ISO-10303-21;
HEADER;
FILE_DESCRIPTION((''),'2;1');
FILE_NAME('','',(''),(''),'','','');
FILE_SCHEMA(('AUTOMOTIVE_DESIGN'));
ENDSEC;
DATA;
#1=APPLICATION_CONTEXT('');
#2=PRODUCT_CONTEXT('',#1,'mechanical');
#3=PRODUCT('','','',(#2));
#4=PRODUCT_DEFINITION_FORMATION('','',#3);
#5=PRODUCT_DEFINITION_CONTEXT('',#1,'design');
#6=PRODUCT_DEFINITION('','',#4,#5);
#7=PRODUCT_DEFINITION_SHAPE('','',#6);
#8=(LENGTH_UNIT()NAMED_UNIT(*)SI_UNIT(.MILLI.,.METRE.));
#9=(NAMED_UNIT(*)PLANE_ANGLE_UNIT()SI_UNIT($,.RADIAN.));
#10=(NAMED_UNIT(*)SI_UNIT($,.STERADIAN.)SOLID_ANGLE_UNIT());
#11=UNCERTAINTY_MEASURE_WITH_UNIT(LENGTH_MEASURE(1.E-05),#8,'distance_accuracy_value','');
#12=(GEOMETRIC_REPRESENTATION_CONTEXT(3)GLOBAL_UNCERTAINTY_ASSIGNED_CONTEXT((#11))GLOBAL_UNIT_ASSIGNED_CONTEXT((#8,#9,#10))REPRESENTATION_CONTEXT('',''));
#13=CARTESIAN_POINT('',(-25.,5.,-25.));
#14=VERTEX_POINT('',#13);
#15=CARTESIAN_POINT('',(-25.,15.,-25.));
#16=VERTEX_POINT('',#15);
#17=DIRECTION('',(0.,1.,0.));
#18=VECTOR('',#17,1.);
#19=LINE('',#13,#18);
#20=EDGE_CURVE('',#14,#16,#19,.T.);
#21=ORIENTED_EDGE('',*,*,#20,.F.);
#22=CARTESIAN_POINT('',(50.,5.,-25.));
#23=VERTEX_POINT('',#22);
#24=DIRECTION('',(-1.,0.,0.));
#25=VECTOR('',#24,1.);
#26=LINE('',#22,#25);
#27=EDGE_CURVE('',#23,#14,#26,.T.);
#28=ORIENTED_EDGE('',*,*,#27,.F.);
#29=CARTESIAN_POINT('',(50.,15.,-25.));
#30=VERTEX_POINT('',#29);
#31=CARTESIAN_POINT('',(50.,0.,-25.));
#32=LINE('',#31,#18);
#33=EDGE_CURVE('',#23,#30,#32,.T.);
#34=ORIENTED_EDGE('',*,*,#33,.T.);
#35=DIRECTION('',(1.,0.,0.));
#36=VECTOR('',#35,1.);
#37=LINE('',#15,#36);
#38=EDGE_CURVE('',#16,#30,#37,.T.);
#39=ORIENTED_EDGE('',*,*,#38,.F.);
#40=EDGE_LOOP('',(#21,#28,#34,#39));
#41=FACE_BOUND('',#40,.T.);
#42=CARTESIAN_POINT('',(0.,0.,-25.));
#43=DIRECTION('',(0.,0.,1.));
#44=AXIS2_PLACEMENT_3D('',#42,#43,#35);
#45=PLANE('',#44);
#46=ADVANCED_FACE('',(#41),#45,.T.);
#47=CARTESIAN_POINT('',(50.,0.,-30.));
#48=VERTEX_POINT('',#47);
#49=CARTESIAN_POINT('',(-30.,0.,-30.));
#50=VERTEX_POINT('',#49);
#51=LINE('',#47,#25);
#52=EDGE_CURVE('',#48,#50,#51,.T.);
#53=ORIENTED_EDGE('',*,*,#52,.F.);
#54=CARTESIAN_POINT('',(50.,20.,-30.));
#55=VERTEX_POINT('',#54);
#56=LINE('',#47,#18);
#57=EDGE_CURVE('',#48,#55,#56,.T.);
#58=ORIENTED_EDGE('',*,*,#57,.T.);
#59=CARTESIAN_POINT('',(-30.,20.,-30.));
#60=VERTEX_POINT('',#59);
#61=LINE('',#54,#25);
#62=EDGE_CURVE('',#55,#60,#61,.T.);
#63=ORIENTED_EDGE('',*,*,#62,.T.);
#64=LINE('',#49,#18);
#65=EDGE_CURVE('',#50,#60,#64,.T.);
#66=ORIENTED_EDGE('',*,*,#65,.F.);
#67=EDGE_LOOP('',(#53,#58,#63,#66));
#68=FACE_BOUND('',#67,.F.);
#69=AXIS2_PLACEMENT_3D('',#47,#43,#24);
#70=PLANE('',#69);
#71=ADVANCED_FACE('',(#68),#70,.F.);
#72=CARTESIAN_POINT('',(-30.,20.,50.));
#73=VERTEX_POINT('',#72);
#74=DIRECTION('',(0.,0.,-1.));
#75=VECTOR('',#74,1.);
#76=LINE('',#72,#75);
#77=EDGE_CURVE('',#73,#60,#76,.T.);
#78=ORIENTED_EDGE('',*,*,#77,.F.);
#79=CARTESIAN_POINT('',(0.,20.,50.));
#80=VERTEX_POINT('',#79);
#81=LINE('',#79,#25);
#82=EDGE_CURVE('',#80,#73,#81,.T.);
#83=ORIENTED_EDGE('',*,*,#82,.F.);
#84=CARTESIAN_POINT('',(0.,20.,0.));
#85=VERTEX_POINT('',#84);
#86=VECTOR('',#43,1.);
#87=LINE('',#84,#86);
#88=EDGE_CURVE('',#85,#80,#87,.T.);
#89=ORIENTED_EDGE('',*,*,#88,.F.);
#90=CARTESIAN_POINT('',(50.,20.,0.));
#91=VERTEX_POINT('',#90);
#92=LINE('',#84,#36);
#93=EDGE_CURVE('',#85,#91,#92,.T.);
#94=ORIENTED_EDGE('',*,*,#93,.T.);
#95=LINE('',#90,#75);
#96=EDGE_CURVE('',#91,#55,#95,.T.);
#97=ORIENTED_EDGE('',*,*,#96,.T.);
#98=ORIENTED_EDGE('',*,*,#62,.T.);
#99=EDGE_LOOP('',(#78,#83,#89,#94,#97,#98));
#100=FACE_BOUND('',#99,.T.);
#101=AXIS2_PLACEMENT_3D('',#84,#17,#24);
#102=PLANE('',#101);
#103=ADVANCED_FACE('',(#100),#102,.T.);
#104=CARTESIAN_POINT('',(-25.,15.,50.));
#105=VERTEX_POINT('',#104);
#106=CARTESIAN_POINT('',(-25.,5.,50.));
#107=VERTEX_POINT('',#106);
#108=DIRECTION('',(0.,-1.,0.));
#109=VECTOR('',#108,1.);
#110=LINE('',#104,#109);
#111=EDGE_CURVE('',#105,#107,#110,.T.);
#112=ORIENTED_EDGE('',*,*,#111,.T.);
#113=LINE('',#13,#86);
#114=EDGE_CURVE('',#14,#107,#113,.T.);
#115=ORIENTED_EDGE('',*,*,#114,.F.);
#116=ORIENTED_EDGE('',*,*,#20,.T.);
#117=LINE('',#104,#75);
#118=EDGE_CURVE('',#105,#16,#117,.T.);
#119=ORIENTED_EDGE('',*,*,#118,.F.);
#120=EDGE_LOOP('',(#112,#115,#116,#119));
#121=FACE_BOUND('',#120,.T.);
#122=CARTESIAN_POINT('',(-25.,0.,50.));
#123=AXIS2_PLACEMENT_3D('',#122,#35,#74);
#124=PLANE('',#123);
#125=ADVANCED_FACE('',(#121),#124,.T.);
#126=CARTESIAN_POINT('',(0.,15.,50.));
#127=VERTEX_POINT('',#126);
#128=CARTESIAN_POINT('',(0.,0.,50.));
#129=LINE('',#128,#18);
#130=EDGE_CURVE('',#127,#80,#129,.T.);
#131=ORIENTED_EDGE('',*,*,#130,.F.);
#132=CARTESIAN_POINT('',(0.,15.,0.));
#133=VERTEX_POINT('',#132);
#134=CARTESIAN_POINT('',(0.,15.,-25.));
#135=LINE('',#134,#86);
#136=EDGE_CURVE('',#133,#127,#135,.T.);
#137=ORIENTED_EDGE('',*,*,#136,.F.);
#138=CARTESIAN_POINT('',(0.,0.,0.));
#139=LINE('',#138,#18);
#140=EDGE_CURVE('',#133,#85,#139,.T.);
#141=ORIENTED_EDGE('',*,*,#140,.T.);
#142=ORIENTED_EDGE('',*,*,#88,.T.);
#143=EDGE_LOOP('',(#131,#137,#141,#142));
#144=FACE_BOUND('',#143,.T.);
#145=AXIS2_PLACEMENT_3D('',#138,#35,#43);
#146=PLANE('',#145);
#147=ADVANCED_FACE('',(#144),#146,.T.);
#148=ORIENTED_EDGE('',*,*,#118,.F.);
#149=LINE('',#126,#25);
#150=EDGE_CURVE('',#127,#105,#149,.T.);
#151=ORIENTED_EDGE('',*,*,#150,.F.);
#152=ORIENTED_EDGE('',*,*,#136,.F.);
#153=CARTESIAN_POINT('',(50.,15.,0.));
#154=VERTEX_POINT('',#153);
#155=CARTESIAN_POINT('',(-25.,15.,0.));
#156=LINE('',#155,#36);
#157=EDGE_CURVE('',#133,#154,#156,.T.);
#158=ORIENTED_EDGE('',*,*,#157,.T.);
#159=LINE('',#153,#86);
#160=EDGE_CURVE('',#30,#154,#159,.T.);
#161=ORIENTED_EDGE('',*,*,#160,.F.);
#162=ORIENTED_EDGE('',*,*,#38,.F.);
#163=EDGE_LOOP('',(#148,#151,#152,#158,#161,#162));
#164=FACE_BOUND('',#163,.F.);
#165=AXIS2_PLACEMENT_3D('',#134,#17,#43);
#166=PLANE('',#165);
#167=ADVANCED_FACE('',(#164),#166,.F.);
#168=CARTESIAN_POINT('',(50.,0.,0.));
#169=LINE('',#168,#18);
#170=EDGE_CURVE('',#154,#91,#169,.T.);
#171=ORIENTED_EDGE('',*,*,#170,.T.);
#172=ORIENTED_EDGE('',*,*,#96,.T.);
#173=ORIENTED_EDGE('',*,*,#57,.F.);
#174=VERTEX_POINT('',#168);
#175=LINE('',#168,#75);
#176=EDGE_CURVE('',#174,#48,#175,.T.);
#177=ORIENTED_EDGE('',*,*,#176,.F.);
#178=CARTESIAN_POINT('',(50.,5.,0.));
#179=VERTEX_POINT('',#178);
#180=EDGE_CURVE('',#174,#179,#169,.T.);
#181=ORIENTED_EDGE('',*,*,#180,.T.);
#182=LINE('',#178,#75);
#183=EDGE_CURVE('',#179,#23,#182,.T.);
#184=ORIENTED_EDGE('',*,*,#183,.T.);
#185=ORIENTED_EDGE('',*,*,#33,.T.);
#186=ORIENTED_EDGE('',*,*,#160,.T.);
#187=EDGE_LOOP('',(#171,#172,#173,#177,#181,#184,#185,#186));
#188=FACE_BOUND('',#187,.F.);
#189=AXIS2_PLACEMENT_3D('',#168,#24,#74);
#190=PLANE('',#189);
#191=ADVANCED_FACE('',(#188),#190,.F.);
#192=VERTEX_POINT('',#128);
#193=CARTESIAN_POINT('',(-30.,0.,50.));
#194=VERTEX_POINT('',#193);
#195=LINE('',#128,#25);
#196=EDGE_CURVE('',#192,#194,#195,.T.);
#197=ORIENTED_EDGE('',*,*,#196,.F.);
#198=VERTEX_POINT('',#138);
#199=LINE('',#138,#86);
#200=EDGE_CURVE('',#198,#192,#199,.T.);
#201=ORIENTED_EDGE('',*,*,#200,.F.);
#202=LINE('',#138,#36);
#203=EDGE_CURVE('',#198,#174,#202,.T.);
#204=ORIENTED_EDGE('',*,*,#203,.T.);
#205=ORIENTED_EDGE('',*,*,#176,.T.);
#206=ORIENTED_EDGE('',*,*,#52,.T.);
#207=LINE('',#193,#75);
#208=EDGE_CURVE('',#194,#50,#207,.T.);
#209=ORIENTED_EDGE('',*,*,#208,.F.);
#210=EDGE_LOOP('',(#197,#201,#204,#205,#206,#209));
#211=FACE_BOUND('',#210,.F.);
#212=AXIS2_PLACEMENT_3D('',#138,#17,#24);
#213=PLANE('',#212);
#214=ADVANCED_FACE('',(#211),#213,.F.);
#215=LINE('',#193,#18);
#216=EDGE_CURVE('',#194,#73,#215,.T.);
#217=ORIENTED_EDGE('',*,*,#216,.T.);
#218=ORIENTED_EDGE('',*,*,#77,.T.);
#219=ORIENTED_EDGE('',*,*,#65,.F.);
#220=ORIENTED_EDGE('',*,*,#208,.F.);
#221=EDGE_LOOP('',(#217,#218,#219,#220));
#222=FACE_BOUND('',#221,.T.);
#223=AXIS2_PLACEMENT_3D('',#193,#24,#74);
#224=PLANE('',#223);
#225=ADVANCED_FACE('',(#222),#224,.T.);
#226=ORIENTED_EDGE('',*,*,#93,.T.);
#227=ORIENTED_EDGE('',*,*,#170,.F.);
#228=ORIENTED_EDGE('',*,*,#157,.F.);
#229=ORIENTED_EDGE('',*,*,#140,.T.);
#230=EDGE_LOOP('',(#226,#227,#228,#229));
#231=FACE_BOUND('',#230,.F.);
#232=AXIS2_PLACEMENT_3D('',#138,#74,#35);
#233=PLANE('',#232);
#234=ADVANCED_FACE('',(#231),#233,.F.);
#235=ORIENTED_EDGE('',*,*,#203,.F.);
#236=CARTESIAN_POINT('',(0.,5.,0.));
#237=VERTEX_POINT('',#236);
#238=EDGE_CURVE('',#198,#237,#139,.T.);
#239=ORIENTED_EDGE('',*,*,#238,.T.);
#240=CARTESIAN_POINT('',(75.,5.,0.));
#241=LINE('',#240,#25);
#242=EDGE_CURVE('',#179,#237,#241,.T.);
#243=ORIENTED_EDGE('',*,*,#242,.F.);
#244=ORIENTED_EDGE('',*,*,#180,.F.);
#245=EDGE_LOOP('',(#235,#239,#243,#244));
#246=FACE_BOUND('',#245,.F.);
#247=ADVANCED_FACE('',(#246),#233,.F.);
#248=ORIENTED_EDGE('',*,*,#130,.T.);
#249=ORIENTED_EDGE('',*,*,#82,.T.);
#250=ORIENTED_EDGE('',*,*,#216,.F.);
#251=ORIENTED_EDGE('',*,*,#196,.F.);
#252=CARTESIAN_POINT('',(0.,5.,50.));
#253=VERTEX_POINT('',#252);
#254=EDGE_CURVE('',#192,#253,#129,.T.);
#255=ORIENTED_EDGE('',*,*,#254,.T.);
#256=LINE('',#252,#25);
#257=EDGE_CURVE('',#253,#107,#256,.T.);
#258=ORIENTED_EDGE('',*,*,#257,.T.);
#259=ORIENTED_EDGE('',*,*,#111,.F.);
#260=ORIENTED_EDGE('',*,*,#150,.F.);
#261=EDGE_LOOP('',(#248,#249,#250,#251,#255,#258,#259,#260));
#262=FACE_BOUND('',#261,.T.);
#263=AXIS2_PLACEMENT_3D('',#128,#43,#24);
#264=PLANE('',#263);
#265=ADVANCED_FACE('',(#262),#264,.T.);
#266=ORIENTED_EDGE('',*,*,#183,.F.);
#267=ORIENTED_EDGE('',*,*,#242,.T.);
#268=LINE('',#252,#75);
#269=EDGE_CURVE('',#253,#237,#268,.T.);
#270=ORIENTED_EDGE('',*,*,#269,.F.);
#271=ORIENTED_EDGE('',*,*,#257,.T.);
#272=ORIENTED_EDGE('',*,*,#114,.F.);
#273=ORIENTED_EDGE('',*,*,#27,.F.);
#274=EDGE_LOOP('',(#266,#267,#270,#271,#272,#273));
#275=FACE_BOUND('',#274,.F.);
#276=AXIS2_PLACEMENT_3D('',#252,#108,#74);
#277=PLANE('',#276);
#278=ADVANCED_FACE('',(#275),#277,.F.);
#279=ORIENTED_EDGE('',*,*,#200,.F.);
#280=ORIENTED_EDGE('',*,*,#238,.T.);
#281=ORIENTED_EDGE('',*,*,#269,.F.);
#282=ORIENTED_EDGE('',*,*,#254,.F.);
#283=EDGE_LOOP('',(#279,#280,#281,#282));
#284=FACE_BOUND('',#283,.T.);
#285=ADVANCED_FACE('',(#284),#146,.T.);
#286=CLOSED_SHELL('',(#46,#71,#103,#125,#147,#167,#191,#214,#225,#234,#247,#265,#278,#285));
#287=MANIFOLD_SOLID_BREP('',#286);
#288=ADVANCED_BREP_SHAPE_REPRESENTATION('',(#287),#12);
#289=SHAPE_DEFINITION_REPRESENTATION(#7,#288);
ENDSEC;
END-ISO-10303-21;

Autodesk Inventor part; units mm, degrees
ref_plane "YZ Plane" through (0, 0, 0) normal (1, 0, 0) x (0, 1, 0)
ref_plane "XZ Plane" through (0, 0, 0) normal (0, 1, 0) x (-1, 0, 0)
ref_plane "XY Plane" through (0, 0, 0) normal (0, 0, 1) x (1, 0, 0)
sketch "Sketch2" plane through (0, 0, 0) normal (0, 1, 0) x (-1, 0, 0)
  line L0 (0, 0) -> (0, 50)
  line L1 (0, 50) -> (30, 50)
  line L2 (30, 50) -> (30, 0)
  line L3 (0, 0) -> (-50, 0)
  line L4 (0, 0) -> (50, 0) construction
  line L5 (-50, 0) -> (-50, -30)
  line L6 (-50, -30) -> (30, -30)
  line L7 (30, -30) -> (30, 0)
  dimension "d7" = 50
  dimension "d8" = 30
  dimension "d9" = 90
  dimension "d10" = 50
  dimension "d11" = 90
  dimension "d12" = 50
  dimension "d13" = 180
  dimension "d14" = 30
  dimension "d15" = 90
extrude "Extrusion1" add sketch "Sketch2" along normal blind 20
sketch "Sketch3" plane through (0, 0, 50) normal (1, 0, 0) x (0, 0, -1)
  line L0 (0, 5) -> (75, 5)
  line L1 (75, 5) -> (75, 15)
  line L2 (75, 15) -> (0, 15)
  line L3 (0, 15) -> (0, 5)
  point P0 (50, 0)
  dimension "d18" = 10
extrude "Extrusion2" cut sketch "Sketch3" against normal blind 25
sketch "Sketch4" plane through (0, 0, 0) normal (0, 0, 1) x (1, 0, 0)
  line L0 (0, 15) -> (-25, 15) projected
  line L1 (-25, 15) -> (75, 15)
  line L2 (75, 15) -> (75, 5)
  line L3 (75, 5) -> (-25, 5)
  line L4 (-25, 5) -> (-25, 15)
  point P0 (0, 0)
  dimension "d21" = 100
  dimension "d22" = 10
extrude "Extrusion3" cut sketch "Sketch4" against normal blind 25
properties part number "TSU_Corner_Clamp"
